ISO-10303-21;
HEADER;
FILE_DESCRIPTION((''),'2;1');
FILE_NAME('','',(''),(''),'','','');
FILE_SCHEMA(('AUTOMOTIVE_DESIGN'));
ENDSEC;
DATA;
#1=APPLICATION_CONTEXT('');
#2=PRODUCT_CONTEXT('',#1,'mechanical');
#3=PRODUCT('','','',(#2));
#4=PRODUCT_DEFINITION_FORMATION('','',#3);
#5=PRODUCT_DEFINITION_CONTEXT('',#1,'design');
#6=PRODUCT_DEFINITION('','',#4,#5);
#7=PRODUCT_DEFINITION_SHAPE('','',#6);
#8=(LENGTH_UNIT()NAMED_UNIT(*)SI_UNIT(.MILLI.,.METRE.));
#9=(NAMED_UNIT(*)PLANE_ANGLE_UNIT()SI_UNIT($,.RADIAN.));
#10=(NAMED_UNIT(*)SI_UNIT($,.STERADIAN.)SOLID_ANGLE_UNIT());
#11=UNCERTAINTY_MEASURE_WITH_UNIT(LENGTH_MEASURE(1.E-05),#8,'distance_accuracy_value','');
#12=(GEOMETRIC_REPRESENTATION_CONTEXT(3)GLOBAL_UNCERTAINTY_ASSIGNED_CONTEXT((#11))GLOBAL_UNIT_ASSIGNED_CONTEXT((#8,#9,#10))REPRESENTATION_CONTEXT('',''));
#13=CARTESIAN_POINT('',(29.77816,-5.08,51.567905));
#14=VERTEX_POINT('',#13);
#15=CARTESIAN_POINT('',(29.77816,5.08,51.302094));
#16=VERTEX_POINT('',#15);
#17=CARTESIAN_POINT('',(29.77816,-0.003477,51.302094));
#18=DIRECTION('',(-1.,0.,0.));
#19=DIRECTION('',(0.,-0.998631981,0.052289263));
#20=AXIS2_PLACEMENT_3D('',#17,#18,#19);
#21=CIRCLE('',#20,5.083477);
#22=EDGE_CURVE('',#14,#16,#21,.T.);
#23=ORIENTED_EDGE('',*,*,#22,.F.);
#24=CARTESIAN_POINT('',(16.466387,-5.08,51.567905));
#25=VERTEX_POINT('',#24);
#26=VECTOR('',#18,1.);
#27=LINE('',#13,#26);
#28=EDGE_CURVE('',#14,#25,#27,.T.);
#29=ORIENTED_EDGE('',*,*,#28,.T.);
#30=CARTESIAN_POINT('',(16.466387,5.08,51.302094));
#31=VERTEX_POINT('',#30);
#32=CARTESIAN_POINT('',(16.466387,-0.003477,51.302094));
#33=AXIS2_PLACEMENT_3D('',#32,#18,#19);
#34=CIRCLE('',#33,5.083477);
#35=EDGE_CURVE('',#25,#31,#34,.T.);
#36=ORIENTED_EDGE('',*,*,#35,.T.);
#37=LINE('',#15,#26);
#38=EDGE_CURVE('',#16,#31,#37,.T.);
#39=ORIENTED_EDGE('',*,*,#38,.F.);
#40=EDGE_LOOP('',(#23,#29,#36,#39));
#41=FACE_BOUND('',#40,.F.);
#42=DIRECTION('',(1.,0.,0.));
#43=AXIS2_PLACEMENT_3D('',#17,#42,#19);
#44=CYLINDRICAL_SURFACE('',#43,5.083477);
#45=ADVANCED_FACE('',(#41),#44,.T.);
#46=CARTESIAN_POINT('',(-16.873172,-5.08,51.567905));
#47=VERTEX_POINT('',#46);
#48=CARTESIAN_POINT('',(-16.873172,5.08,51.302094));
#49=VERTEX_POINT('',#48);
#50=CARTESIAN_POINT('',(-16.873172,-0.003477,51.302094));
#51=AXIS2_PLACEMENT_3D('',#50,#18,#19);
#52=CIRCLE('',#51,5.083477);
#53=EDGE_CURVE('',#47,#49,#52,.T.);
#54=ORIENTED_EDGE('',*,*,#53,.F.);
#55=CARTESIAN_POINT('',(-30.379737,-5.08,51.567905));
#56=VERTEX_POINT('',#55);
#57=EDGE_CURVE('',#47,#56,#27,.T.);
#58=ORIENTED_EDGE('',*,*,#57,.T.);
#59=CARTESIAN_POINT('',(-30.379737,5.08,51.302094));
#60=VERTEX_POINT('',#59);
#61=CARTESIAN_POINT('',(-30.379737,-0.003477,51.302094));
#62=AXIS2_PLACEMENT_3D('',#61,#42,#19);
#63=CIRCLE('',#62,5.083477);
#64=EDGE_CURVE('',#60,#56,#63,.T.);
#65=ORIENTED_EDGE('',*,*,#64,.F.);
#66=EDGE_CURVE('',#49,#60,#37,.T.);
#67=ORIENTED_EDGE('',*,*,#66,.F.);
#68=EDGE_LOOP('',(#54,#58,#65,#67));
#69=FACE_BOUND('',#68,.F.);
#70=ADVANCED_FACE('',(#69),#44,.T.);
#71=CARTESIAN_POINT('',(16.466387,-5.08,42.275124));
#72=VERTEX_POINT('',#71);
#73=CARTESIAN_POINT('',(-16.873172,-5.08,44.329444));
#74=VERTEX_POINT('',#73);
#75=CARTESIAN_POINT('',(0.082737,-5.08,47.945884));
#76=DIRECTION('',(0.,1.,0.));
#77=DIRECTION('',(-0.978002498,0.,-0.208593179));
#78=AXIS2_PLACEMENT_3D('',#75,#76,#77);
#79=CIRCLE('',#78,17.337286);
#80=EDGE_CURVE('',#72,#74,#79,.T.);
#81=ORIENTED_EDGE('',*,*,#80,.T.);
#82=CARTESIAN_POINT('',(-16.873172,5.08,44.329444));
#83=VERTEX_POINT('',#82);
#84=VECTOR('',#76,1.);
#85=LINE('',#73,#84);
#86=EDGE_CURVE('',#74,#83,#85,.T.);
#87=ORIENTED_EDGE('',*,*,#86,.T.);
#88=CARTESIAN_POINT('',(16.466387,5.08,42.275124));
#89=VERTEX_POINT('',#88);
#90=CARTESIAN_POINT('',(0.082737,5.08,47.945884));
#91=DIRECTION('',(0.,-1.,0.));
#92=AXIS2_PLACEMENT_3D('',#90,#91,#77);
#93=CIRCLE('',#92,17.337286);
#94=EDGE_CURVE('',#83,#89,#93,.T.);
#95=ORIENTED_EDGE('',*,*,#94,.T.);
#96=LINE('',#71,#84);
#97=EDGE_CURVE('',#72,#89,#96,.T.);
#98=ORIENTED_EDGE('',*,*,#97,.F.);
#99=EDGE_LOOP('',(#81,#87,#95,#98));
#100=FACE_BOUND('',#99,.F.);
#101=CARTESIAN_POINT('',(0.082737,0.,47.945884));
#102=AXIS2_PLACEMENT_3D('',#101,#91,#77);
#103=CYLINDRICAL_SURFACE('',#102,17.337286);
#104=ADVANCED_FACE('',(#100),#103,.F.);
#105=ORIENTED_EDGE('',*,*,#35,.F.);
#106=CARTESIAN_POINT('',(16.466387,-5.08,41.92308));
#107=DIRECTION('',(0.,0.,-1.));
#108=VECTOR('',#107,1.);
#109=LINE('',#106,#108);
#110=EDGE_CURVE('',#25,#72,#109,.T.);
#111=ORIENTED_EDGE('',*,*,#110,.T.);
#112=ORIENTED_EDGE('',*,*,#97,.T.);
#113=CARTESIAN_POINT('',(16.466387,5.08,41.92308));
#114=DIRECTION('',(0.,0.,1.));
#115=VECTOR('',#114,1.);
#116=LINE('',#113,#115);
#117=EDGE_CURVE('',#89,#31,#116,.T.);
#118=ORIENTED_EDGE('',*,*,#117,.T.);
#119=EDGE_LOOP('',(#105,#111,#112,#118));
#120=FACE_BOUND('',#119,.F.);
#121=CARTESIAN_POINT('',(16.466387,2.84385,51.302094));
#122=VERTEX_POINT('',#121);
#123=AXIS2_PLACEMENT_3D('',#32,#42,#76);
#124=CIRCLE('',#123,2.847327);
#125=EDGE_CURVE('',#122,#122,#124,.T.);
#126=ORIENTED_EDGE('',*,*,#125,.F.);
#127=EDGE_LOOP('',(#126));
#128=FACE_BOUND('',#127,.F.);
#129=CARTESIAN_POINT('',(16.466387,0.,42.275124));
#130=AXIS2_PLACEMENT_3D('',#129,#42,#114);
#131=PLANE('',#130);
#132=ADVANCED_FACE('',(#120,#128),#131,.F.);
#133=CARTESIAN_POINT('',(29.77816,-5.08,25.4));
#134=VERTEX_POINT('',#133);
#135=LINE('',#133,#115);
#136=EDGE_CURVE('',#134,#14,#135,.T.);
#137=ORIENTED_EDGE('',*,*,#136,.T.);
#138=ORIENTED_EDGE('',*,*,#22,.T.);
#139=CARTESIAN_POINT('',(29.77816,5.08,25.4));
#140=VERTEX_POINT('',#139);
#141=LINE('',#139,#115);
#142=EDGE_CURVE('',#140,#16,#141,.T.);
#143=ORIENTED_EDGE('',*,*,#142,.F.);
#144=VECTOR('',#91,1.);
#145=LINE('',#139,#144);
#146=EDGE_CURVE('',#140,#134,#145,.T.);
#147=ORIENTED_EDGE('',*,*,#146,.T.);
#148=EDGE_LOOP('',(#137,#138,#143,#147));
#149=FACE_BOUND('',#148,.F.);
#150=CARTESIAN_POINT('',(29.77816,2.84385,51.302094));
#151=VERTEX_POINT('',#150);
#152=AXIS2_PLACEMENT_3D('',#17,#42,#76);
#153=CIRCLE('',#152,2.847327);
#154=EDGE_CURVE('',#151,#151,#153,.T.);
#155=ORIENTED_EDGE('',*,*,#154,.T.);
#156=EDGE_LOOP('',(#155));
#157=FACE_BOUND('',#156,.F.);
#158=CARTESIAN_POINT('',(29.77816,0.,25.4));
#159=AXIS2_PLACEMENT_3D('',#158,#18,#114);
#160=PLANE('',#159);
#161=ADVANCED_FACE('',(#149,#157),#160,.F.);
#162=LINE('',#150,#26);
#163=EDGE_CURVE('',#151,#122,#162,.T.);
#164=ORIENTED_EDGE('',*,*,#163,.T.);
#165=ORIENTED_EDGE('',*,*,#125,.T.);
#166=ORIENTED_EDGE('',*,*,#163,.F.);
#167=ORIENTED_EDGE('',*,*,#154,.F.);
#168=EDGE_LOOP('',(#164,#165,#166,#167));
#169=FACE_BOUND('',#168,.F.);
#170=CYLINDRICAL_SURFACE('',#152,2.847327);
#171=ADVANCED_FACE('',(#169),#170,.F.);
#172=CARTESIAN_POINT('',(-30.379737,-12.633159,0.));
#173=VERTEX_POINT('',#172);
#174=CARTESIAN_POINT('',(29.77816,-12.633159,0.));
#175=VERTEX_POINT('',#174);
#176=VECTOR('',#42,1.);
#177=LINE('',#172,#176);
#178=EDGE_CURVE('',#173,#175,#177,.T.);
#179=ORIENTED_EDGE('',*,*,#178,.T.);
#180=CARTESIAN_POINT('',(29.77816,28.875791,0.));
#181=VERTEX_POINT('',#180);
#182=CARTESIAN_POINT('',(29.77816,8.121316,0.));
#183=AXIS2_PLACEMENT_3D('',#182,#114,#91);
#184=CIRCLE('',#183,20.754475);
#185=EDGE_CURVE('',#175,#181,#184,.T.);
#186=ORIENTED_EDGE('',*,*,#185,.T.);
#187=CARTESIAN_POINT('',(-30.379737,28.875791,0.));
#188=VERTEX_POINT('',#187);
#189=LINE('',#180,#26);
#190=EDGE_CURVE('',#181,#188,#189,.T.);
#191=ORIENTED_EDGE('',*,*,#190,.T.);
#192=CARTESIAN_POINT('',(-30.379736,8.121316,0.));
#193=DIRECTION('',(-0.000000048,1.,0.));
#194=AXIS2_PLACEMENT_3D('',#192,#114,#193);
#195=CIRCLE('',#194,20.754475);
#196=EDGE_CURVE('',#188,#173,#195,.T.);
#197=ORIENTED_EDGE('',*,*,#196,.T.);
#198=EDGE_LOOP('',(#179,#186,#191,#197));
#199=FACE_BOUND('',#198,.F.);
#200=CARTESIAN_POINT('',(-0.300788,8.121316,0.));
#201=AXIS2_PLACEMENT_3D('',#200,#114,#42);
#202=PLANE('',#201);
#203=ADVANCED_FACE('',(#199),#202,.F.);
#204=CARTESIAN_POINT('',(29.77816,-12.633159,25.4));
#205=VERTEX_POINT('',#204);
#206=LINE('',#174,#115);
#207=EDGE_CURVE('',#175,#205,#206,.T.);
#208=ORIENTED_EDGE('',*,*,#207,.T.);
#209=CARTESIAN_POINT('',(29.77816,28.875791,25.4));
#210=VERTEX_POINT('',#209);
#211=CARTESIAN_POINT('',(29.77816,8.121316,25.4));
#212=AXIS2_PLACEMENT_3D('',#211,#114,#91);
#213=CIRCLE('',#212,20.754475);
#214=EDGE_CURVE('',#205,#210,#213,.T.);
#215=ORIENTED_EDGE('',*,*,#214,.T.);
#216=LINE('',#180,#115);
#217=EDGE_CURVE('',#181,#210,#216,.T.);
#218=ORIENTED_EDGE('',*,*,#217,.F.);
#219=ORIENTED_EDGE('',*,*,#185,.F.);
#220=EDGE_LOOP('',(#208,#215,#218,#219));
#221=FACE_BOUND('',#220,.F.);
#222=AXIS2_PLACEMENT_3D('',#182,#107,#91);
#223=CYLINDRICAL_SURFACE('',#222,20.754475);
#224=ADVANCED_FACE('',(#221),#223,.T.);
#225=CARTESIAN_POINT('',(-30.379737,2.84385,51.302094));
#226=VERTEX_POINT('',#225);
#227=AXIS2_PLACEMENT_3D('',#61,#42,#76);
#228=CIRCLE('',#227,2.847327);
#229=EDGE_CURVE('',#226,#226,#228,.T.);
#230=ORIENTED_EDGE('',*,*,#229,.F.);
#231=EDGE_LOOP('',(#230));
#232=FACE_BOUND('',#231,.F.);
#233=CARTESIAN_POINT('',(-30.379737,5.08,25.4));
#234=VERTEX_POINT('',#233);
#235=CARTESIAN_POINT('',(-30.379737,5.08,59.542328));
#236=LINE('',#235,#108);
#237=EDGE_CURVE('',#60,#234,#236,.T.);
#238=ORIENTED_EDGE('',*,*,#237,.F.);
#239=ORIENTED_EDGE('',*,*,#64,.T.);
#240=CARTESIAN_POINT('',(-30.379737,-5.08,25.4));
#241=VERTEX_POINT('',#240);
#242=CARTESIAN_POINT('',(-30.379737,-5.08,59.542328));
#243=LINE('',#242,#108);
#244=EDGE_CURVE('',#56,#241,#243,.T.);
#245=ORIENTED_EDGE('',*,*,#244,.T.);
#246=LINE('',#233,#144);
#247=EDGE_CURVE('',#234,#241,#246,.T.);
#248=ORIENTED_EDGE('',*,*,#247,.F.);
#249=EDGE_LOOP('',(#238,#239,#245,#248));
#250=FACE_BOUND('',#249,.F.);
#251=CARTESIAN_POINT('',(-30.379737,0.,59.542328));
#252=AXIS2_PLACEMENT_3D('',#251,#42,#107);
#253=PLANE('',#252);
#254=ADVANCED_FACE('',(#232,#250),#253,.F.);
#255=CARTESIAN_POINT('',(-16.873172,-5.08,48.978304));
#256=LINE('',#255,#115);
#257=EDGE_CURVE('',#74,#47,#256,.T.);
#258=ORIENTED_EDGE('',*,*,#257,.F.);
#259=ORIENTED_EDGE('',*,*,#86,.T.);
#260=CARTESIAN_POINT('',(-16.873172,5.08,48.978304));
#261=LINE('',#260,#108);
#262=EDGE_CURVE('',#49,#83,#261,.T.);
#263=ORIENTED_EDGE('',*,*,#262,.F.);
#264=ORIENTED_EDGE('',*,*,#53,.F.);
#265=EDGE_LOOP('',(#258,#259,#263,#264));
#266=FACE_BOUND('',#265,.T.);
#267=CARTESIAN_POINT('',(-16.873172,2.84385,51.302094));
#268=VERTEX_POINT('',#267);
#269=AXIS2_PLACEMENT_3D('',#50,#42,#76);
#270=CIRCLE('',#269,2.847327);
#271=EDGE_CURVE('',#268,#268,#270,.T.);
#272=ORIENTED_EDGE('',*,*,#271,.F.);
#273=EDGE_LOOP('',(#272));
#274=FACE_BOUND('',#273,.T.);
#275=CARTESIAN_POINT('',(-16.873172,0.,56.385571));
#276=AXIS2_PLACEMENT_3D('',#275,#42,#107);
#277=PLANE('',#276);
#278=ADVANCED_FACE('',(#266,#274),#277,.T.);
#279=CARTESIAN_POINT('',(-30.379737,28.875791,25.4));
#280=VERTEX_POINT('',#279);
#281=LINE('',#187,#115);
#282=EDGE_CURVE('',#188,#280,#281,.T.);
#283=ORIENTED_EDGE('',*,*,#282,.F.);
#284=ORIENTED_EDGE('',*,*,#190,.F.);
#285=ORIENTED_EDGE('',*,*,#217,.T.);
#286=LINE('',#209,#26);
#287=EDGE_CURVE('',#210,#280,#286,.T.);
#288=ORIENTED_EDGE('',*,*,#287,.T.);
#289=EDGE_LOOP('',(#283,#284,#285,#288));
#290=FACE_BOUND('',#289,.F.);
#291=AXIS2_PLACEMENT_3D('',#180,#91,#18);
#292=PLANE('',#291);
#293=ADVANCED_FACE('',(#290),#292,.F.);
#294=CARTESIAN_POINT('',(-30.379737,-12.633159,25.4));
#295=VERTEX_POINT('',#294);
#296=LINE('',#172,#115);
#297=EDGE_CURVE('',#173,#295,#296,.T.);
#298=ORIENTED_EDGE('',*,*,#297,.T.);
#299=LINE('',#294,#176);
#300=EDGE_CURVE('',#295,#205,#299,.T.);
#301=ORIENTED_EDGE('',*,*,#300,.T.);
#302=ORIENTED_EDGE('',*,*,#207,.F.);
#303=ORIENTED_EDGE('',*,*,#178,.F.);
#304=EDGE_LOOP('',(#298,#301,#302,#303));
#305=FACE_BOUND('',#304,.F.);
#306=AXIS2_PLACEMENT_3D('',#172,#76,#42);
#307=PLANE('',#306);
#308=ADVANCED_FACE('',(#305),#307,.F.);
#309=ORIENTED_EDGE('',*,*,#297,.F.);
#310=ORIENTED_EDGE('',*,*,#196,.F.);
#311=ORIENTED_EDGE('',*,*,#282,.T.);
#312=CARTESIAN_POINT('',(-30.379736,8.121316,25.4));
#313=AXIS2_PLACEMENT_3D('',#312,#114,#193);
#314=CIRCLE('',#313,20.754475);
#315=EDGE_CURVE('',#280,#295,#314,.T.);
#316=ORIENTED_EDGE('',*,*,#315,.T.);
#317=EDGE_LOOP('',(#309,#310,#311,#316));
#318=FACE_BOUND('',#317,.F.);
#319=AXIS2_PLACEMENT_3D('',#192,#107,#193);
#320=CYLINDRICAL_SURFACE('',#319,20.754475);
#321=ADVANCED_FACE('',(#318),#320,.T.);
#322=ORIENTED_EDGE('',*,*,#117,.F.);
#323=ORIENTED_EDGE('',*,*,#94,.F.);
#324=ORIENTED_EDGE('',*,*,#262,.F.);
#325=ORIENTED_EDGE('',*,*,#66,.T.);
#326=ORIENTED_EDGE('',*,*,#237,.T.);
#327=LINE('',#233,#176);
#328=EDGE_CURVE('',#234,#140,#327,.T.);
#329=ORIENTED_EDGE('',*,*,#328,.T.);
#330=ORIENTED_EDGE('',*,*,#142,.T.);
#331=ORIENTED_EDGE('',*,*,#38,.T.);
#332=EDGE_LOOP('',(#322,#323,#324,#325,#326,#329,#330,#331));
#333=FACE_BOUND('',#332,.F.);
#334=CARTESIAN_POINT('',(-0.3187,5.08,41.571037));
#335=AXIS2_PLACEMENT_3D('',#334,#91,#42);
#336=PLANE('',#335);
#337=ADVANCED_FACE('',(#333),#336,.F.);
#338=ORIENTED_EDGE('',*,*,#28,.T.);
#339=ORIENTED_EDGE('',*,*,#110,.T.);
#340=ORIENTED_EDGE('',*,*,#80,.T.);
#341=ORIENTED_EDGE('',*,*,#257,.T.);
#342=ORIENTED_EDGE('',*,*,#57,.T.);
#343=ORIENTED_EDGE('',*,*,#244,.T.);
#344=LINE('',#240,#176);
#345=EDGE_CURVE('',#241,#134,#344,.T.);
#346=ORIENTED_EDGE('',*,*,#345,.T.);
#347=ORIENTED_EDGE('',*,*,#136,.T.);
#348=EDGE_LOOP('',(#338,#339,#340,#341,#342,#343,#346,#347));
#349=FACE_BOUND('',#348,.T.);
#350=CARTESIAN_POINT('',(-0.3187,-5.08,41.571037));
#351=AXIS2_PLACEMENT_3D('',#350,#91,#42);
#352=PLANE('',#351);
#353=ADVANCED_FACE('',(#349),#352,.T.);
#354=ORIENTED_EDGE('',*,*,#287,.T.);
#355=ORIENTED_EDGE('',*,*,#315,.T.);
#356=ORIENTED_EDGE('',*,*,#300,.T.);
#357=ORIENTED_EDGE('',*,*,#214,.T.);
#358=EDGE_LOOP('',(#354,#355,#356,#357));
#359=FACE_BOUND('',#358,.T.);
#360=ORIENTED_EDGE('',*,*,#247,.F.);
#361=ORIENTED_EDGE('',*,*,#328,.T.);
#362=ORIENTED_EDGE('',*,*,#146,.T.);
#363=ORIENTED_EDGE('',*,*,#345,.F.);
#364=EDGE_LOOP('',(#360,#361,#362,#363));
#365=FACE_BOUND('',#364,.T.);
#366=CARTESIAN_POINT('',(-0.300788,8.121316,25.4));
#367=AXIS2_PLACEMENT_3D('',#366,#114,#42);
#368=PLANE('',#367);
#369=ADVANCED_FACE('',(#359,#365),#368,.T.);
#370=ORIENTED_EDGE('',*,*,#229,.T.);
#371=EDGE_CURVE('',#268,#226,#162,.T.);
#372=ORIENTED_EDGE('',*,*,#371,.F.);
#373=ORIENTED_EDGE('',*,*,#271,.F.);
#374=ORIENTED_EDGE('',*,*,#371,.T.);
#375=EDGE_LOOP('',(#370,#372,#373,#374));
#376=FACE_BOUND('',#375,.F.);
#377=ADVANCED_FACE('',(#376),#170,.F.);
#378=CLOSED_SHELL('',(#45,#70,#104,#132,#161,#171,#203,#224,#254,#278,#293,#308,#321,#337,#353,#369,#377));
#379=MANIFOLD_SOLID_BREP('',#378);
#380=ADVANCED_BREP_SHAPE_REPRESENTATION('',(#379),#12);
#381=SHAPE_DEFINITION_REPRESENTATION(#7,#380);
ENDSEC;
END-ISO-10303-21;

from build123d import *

# Parameters (mm, degrees)
F1_DEPTH  = 25.4
F3_DEPTH  = 5.08
F5_DEPTH  = 5.08
F7_DEPTH  = 80.913372
F8_R      = 2.847327
F9_DEPTH  = 80.913372
F11_DEPTH = 25.4
F12_DEPTH = 25.4


with BuildPart() as f1:
    # F0 (on Top) → F1 (new body)
    with BuildSketch(Plane.XY):
        with BuildLine():
            Line((29.77816, 28.875791), (-30.379737, 28.875791))
            ThreePointArc((-30.379737, 28.875791), (-51.134211, 8.121316), (-30.379737, -12.633159))
            Line((-30.379737, -12.633159), (29.77816, -12.633159))
            ThreePointArc((29.77816, -12.633159), (50.532635, 8.121316), (29.77816, 28.875791))
        make_face()
    extrude(amount=F1_DEPTH)

    # F2 (on Front) → F3 (join)
    with BuildSketch(Plane.XZ):
        with BuildLine():
            Line((-30.379737, 59.542328), (-30.379737, 25.4))
            Line((-30.379737, 25.4), (29.77816, 25.4))
            Line((29.77816, 25.4), (29.77816, 59.542328))
            Line((29.77816, 59.542328), (15.948839, 59.542328))
            ThreePointArc((15.948839, 59.542328), (-0.531627, 43.41897), (-17.012093, 59.542328))
            Line((-17.012093, 59.542328), (-30.379737, 59.542328))
        make_face()
    extrude(amount=-F3_DEPTH)

    # F4 (on face) → F5 (join)
    with BuildSketch(Plane.XZ):
        with BuildLine():
            Line((-30.379737, 59.542328), (-30.379737, 25.4))
            Line((-30.379737, 25.4), (29.77816, 25.4))
            Line((29.77816, 25.4), (29.77816, 59.542328))
            Line((29.77816, 59.542328), (15.948839, 59.542328))
            ThreePointArc((15.948839, 59.542328), (-0.531627, 43.41897), (-17.012093, 59.542328))
            Line((-17.012093, 59.542328), (-30.379737, 59.542328))
        make_face()
    extrude(amount=F5_DEPTH)

    # F6 (on face) → F7 (cut, through all)
    with BuildSketch(Plane.YZ.offset(29.77816)):
        with BuildLine():
            Line((5.08, 51.302094), (5.08, 59.542328))
            Line((5.08, 59.542328), (-5.08, 59.542328))
            Line((-5.08, 59.542328), (-5.08, 51.567905))
            ThreePointArc((-5.08, 51.567905), (0.129474, 56.383832), (5.08, 51.302094))
        make_face()
    extrude(amount=-F7_DEPTH, mode=Mode.SUBTRACT)

    # F8 (on face) → F9 (cut, through all)
    with BuildSketch(Plane.YZ.offset(29.77816)):
        with Locations((-0.003477, 51.302094)):
            Circle(F8_R)
    extrude(amount=-F9_DEPTH, mode=Mode.SUBTRACT)

    # F10 (on Front) → F11 (cut)
    with BuildSketch(Plane.XZ):
        with BuildLine():
            Line((16.466387, 42.275124), (16.466387, 56.385571))
            Line((16.466387, 56.385571), (-16.873172, 56.385571))
            Line((-16.873172, 56.385571), (-16.873172, 44.329444))
            ThreePointArc((-16.873172, 44.329444), (-0.983531, 30.641417), (16.466387, 42.275124))
        make_face()
    extrude(amount=F11_DEPTH, mode=Mode.SUBTRACT)

    # F10 (on Front) → F12 (cut)
    with BuildSketch(Plane.XZ):
        with BuildLine():
            Line((16.466387, 42.275124), (16.466387, 56.385571))
            Line((16.466387, 56.385571), (-16.873172, 56.385571))
            Line((-16.873172, 56.385571), (-16.873172, 44.329444))
            ThreePointArc((-16.873172, 44.329444), (-0.983531, 30.641417), (16.466387, 42.275124))
        make_face()
    extrude(amount=-F12_DEPTH, mode=Mode.SUBTRACT)


solid = f1.part
